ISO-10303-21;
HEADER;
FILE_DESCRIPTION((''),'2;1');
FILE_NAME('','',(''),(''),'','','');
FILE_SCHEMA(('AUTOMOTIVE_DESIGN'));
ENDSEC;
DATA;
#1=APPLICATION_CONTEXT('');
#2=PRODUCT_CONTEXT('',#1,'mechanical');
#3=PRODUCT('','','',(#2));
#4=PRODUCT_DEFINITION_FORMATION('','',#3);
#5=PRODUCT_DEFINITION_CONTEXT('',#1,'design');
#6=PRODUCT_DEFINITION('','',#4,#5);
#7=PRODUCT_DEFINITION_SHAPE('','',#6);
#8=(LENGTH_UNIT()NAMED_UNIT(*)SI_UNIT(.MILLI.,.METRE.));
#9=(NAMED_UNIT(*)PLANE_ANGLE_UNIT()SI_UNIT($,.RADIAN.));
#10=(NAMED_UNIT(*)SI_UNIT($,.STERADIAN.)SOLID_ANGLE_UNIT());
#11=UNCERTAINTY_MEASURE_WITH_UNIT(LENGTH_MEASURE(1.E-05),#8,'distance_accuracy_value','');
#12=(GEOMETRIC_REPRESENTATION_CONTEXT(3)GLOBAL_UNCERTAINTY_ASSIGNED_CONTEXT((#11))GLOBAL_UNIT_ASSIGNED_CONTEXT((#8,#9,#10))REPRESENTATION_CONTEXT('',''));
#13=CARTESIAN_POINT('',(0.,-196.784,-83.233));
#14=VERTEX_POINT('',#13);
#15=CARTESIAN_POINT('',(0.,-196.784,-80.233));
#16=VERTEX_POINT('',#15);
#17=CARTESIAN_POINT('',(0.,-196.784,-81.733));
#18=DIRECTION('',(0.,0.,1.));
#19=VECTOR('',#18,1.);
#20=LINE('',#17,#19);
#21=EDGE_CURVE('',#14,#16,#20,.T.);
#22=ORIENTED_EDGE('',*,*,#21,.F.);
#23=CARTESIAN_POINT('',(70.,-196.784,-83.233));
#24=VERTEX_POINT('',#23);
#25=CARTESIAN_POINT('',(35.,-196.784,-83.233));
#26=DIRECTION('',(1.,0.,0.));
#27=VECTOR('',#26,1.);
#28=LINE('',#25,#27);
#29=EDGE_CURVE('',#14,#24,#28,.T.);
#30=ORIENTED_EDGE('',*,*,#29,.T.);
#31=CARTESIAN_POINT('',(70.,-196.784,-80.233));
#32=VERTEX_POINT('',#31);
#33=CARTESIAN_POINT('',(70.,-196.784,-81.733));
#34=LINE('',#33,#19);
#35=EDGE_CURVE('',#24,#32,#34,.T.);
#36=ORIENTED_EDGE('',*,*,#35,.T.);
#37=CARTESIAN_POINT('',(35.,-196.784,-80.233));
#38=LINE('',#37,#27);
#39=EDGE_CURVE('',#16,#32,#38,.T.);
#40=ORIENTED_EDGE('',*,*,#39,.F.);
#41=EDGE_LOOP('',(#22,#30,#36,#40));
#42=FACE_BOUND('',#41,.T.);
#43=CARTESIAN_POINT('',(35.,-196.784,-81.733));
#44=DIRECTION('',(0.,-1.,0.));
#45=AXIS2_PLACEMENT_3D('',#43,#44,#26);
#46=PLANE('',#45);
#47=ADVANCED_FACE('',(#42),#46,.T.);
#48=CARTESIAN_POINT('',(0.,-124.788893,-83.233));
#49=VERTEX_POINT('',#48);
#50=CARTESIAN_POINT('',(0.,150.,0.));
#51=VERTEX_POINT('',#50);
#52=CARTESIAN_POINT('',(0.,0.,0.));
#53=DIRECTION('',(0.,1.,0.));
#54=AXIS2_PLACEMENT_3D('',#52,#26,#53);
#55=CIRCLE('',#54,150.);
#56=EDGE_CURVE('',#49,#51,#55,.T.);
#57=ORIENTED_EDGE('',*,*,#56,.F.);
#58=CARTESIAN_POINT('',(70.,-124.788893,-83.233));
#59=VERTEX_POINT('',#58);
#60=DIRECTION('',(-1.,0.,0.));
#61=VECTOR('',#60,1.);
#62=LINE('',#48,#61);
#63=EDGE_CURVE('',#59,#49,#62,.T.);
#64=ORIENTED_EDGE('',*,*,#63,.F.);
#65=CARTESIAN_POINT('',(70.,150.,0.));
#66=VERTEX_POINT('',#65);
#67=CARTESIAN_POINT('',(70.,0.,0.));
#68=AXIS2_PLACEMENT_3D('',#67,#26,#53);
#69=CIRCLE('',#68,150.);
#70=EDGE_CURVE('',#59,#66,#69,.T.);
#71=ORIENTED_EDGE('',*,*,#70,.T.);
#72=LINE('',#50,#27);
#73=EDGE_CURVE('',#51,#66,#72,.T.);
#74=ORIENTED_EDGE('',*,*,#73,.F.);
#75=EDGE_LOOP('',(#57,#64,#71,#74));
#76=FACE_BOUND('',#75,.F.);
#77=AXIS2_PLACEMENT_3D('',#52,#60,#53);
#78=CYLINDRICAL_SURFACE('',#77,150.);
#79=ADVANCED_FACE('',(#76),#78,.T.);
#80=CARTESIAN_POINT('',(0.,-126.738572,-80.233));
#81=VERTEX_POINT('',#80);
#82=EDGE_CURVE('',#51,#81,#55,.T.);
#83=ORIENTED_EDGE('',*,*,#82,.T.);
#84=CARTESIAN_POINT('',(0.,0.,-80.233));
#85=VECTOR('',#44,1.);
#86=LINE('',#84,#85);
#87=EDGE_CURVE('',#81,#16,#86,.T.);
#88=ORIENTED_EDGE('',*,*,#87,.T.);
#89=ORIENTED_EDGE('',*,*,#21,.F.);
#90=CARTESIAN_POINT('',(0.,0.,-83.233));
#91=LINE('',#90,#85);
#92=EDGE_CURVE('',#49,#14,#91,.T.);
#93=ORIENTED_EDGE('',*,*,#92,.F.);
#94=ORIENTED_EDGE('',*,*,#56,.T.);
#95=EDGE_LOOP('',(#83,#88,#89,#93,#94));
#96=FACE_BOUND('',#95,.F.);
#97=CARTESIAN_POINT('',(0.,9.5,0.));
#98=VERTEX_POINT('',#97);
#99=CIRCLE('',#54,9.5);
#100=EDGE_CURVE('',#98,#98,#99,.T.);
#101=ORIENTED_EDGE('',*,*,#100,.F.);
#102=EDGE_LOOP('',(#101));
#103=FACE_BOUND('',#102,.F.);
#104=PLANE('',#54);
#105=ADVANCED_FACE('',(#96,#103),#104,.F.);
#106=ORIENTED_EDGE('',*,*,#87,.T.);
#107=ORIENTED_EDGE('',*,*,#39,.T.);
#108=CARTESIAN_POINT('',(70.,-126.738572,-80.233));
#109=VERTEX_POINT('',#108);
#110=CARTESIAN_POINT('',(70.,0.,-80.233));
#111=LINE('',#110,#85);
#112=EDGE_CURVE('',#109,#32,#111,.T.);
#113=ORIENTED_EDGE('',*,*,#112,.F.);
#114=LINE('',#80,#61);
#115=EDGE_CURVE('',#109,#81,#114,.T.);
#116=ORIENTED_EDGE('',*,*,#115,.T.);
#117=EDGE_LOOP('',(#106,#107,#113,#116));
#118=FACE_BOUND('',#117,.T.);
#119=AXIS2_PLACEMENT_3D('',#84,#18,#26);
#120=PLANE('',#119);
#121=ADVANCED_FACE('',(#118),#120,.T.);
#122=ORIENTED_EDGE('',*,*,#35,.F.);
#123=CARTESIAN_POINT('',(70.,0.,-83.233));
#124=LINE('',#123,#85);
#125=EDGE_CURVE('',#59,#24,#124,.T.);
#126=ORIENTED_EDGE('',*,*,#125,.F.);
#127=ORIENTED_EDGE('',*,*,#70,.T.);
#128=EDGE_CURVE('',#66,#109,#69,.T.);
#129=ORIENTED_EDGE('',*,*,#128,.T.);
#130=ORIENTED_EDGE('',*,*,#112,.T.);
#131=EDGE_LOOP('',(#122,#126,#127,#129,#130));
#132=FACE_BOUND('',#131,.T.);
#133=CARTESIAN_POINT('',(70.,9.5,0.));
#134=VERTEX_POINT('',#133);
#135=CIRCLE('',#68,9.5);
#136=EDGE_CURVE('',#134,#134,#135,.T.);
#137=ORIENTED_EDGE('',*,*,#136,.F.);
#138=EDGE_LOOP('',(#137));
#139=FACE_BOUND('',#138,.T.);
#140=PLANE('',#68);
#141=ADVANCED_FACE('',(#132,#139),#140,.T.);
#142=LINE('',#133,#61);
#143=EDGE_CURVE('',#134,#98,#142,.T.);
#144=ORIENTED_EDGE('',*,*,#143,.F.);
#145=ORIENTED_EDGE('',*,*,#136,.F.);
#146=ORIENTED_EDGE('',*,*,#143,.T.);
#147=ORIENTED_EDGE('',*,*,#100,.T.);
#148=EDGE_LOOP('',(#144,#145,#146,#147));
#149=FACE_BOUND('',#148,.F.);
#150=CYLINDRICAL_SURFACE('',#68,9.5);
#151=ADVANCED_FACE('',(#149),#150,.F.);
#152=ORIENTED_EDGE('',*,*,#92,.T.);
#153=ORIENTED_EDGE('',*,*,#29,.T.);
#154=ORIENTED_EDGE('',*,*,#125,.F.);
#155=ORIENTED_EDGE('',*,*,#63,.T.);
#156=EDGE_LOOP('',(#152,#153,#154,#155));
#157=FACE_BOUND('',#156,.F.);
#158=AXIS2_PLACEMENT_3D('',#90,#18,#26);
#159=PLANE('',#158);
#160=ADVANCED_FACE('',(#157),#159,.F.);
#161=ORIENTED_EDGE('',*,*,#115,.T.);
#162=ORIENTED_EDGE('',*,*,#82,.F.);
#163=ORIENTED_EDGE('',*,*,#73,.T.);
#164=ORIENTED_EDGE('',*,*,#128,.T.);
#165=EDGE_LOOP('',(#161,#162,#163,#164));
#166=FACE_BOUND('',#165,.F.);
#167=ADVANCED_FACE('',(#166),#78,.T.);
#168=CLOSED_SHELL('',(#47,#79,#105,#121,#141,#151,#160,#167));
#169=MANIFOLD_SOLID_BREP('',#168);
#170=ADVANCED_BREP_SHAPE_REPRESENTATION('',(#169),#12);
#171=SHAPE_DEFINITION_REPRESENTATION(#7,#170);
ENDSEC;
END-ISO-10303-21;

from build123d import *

# Parameters (mm, degrees)
F0_R     = 150
F1_DEPTH = 70
F2_W     = 70
F2_H     = 3
F3_DEPTH = 196.784
F4_R     = 9.5
F5_DEPTH = 184


with BuildPart() as f1:
    # F0 (on Right) → F1 (new body)
    with BuildSketch(Plane.YZ):
        Circle(F0_R)
    extrude(amount=F1_DEPTH)

    # F2 (on Front) → F3 (join)
    with BuildSketch(Plane.XZ):
        with Locations((35, -81.733)):
            Rectangle(F2_W, F2_H)
    extrude(amount=F3_DEPTH)

    # F4 (on face) → F5 (cut)
    with BuildSketch(Plane.YZ.offset(70)):
        Circle(F4_R)
    extrude(amount=-F5_DEPTH, mode=Mode.SUBTRACT)


solid = f1.part
